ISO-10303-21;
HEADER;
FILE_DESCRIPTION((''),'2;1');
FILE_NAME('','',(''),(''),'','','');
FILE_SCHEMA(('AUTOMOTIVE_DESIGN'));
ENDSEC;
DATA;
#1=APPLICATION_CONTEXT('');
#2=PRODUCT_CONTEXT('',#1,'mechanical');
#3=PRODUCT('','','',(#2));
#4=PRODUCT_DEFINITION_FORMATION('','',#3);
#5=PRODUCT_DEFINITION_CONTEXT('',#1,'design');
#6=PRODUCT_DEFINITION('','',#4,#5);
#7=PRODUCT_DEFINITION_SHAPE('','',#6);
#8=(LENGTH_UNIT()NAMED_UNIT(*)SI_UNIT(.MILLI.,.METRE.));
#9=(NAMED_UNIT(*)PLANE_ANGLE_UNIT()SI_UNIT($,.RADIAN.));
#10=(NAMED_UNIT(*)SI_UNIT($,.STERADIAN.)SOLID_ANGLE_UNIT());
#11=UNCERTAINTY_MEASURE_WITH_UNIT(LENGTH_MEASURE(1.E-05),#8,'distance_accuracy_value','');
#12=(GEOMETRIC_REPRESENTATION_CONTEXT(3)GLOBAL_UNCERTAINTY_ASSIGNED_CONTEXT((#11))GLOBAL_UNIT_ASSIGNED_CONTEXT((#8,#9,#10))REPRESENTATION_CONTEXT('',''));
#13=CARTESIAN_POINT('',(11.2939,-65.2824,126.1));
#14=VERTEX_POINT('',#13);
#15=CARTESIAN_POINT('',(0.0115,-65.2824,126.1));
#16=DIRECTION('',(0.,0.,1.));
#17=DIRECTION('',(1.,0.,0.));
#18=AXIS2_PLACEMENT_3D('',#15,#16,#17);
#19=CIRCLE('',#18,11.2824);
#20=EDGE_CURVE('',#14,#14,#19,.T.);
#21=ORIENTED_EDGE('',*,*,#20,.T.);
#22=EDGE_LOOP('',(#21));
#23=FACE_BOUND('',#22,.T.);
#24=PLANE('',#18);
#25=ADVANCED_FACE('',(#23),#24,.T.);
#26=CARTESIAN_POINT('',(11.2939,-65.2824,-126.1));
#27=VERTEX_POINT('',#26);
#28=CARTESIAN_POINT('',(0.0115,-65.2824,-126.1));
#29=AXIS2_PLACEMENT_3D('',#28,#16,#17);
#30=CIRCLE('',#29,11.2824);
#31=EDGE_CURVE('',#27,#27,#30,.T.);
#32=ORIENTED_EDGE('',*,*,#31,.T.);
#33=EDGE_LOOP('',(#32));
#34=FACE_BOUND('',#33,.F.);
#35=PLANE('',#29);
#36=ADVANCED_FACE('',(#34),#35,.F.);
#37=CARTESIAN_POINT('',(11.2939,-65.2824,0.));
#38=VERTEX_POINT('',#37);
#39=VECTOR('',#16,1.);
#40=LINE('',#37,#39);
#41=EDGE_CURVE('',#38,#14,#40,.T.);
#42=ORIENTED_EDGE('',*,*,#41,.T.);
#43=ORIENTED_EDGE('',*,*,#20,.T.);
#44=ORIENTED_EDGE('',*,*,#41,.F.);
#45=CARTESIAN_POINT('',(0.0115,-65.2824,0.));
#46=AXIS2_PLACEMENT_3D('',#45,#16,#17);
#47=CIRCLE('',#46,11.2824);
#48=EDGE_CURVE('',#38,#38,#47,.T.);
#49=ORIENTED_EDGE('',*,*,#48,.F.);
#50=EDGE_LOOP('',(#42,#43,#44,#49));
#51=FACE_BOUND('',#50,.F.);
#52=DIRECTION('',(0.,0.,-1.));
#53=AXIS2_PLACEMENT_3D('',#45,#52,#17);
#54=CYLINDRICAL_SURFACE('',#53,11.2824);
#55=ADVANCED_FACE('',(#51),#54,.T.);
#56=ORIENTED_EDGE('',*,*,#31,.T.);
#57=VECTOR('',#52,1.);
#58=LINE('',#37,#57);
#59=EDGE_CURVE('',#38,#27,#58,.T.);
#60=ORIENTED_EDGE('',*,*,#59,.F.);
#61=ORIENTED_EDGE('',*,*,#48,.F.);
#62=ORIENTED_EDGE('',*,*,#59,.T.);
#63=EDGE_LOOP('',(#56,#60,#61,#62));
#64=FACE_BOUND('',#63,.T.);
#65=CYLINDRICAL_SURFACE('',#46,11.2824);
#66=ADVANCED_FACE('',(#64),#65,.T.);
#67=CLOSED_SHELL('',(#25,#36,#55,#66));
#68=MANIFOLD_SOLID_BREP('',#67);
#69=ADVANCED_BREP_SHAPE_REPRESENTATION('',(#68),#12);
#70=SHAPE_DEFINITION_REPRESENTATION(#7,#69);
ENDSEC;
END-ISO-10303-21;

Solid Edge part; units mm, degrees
sketch "Sketch1" plane through (0, 0, 0) normal (0, 0, 1) x (1, 0, 0)
  circle A0 centre (0.0115, -65.2824) radius 11.2824
extrude "Protrusion1" add sketch "Sketch1" along normal mid plane 252.2
